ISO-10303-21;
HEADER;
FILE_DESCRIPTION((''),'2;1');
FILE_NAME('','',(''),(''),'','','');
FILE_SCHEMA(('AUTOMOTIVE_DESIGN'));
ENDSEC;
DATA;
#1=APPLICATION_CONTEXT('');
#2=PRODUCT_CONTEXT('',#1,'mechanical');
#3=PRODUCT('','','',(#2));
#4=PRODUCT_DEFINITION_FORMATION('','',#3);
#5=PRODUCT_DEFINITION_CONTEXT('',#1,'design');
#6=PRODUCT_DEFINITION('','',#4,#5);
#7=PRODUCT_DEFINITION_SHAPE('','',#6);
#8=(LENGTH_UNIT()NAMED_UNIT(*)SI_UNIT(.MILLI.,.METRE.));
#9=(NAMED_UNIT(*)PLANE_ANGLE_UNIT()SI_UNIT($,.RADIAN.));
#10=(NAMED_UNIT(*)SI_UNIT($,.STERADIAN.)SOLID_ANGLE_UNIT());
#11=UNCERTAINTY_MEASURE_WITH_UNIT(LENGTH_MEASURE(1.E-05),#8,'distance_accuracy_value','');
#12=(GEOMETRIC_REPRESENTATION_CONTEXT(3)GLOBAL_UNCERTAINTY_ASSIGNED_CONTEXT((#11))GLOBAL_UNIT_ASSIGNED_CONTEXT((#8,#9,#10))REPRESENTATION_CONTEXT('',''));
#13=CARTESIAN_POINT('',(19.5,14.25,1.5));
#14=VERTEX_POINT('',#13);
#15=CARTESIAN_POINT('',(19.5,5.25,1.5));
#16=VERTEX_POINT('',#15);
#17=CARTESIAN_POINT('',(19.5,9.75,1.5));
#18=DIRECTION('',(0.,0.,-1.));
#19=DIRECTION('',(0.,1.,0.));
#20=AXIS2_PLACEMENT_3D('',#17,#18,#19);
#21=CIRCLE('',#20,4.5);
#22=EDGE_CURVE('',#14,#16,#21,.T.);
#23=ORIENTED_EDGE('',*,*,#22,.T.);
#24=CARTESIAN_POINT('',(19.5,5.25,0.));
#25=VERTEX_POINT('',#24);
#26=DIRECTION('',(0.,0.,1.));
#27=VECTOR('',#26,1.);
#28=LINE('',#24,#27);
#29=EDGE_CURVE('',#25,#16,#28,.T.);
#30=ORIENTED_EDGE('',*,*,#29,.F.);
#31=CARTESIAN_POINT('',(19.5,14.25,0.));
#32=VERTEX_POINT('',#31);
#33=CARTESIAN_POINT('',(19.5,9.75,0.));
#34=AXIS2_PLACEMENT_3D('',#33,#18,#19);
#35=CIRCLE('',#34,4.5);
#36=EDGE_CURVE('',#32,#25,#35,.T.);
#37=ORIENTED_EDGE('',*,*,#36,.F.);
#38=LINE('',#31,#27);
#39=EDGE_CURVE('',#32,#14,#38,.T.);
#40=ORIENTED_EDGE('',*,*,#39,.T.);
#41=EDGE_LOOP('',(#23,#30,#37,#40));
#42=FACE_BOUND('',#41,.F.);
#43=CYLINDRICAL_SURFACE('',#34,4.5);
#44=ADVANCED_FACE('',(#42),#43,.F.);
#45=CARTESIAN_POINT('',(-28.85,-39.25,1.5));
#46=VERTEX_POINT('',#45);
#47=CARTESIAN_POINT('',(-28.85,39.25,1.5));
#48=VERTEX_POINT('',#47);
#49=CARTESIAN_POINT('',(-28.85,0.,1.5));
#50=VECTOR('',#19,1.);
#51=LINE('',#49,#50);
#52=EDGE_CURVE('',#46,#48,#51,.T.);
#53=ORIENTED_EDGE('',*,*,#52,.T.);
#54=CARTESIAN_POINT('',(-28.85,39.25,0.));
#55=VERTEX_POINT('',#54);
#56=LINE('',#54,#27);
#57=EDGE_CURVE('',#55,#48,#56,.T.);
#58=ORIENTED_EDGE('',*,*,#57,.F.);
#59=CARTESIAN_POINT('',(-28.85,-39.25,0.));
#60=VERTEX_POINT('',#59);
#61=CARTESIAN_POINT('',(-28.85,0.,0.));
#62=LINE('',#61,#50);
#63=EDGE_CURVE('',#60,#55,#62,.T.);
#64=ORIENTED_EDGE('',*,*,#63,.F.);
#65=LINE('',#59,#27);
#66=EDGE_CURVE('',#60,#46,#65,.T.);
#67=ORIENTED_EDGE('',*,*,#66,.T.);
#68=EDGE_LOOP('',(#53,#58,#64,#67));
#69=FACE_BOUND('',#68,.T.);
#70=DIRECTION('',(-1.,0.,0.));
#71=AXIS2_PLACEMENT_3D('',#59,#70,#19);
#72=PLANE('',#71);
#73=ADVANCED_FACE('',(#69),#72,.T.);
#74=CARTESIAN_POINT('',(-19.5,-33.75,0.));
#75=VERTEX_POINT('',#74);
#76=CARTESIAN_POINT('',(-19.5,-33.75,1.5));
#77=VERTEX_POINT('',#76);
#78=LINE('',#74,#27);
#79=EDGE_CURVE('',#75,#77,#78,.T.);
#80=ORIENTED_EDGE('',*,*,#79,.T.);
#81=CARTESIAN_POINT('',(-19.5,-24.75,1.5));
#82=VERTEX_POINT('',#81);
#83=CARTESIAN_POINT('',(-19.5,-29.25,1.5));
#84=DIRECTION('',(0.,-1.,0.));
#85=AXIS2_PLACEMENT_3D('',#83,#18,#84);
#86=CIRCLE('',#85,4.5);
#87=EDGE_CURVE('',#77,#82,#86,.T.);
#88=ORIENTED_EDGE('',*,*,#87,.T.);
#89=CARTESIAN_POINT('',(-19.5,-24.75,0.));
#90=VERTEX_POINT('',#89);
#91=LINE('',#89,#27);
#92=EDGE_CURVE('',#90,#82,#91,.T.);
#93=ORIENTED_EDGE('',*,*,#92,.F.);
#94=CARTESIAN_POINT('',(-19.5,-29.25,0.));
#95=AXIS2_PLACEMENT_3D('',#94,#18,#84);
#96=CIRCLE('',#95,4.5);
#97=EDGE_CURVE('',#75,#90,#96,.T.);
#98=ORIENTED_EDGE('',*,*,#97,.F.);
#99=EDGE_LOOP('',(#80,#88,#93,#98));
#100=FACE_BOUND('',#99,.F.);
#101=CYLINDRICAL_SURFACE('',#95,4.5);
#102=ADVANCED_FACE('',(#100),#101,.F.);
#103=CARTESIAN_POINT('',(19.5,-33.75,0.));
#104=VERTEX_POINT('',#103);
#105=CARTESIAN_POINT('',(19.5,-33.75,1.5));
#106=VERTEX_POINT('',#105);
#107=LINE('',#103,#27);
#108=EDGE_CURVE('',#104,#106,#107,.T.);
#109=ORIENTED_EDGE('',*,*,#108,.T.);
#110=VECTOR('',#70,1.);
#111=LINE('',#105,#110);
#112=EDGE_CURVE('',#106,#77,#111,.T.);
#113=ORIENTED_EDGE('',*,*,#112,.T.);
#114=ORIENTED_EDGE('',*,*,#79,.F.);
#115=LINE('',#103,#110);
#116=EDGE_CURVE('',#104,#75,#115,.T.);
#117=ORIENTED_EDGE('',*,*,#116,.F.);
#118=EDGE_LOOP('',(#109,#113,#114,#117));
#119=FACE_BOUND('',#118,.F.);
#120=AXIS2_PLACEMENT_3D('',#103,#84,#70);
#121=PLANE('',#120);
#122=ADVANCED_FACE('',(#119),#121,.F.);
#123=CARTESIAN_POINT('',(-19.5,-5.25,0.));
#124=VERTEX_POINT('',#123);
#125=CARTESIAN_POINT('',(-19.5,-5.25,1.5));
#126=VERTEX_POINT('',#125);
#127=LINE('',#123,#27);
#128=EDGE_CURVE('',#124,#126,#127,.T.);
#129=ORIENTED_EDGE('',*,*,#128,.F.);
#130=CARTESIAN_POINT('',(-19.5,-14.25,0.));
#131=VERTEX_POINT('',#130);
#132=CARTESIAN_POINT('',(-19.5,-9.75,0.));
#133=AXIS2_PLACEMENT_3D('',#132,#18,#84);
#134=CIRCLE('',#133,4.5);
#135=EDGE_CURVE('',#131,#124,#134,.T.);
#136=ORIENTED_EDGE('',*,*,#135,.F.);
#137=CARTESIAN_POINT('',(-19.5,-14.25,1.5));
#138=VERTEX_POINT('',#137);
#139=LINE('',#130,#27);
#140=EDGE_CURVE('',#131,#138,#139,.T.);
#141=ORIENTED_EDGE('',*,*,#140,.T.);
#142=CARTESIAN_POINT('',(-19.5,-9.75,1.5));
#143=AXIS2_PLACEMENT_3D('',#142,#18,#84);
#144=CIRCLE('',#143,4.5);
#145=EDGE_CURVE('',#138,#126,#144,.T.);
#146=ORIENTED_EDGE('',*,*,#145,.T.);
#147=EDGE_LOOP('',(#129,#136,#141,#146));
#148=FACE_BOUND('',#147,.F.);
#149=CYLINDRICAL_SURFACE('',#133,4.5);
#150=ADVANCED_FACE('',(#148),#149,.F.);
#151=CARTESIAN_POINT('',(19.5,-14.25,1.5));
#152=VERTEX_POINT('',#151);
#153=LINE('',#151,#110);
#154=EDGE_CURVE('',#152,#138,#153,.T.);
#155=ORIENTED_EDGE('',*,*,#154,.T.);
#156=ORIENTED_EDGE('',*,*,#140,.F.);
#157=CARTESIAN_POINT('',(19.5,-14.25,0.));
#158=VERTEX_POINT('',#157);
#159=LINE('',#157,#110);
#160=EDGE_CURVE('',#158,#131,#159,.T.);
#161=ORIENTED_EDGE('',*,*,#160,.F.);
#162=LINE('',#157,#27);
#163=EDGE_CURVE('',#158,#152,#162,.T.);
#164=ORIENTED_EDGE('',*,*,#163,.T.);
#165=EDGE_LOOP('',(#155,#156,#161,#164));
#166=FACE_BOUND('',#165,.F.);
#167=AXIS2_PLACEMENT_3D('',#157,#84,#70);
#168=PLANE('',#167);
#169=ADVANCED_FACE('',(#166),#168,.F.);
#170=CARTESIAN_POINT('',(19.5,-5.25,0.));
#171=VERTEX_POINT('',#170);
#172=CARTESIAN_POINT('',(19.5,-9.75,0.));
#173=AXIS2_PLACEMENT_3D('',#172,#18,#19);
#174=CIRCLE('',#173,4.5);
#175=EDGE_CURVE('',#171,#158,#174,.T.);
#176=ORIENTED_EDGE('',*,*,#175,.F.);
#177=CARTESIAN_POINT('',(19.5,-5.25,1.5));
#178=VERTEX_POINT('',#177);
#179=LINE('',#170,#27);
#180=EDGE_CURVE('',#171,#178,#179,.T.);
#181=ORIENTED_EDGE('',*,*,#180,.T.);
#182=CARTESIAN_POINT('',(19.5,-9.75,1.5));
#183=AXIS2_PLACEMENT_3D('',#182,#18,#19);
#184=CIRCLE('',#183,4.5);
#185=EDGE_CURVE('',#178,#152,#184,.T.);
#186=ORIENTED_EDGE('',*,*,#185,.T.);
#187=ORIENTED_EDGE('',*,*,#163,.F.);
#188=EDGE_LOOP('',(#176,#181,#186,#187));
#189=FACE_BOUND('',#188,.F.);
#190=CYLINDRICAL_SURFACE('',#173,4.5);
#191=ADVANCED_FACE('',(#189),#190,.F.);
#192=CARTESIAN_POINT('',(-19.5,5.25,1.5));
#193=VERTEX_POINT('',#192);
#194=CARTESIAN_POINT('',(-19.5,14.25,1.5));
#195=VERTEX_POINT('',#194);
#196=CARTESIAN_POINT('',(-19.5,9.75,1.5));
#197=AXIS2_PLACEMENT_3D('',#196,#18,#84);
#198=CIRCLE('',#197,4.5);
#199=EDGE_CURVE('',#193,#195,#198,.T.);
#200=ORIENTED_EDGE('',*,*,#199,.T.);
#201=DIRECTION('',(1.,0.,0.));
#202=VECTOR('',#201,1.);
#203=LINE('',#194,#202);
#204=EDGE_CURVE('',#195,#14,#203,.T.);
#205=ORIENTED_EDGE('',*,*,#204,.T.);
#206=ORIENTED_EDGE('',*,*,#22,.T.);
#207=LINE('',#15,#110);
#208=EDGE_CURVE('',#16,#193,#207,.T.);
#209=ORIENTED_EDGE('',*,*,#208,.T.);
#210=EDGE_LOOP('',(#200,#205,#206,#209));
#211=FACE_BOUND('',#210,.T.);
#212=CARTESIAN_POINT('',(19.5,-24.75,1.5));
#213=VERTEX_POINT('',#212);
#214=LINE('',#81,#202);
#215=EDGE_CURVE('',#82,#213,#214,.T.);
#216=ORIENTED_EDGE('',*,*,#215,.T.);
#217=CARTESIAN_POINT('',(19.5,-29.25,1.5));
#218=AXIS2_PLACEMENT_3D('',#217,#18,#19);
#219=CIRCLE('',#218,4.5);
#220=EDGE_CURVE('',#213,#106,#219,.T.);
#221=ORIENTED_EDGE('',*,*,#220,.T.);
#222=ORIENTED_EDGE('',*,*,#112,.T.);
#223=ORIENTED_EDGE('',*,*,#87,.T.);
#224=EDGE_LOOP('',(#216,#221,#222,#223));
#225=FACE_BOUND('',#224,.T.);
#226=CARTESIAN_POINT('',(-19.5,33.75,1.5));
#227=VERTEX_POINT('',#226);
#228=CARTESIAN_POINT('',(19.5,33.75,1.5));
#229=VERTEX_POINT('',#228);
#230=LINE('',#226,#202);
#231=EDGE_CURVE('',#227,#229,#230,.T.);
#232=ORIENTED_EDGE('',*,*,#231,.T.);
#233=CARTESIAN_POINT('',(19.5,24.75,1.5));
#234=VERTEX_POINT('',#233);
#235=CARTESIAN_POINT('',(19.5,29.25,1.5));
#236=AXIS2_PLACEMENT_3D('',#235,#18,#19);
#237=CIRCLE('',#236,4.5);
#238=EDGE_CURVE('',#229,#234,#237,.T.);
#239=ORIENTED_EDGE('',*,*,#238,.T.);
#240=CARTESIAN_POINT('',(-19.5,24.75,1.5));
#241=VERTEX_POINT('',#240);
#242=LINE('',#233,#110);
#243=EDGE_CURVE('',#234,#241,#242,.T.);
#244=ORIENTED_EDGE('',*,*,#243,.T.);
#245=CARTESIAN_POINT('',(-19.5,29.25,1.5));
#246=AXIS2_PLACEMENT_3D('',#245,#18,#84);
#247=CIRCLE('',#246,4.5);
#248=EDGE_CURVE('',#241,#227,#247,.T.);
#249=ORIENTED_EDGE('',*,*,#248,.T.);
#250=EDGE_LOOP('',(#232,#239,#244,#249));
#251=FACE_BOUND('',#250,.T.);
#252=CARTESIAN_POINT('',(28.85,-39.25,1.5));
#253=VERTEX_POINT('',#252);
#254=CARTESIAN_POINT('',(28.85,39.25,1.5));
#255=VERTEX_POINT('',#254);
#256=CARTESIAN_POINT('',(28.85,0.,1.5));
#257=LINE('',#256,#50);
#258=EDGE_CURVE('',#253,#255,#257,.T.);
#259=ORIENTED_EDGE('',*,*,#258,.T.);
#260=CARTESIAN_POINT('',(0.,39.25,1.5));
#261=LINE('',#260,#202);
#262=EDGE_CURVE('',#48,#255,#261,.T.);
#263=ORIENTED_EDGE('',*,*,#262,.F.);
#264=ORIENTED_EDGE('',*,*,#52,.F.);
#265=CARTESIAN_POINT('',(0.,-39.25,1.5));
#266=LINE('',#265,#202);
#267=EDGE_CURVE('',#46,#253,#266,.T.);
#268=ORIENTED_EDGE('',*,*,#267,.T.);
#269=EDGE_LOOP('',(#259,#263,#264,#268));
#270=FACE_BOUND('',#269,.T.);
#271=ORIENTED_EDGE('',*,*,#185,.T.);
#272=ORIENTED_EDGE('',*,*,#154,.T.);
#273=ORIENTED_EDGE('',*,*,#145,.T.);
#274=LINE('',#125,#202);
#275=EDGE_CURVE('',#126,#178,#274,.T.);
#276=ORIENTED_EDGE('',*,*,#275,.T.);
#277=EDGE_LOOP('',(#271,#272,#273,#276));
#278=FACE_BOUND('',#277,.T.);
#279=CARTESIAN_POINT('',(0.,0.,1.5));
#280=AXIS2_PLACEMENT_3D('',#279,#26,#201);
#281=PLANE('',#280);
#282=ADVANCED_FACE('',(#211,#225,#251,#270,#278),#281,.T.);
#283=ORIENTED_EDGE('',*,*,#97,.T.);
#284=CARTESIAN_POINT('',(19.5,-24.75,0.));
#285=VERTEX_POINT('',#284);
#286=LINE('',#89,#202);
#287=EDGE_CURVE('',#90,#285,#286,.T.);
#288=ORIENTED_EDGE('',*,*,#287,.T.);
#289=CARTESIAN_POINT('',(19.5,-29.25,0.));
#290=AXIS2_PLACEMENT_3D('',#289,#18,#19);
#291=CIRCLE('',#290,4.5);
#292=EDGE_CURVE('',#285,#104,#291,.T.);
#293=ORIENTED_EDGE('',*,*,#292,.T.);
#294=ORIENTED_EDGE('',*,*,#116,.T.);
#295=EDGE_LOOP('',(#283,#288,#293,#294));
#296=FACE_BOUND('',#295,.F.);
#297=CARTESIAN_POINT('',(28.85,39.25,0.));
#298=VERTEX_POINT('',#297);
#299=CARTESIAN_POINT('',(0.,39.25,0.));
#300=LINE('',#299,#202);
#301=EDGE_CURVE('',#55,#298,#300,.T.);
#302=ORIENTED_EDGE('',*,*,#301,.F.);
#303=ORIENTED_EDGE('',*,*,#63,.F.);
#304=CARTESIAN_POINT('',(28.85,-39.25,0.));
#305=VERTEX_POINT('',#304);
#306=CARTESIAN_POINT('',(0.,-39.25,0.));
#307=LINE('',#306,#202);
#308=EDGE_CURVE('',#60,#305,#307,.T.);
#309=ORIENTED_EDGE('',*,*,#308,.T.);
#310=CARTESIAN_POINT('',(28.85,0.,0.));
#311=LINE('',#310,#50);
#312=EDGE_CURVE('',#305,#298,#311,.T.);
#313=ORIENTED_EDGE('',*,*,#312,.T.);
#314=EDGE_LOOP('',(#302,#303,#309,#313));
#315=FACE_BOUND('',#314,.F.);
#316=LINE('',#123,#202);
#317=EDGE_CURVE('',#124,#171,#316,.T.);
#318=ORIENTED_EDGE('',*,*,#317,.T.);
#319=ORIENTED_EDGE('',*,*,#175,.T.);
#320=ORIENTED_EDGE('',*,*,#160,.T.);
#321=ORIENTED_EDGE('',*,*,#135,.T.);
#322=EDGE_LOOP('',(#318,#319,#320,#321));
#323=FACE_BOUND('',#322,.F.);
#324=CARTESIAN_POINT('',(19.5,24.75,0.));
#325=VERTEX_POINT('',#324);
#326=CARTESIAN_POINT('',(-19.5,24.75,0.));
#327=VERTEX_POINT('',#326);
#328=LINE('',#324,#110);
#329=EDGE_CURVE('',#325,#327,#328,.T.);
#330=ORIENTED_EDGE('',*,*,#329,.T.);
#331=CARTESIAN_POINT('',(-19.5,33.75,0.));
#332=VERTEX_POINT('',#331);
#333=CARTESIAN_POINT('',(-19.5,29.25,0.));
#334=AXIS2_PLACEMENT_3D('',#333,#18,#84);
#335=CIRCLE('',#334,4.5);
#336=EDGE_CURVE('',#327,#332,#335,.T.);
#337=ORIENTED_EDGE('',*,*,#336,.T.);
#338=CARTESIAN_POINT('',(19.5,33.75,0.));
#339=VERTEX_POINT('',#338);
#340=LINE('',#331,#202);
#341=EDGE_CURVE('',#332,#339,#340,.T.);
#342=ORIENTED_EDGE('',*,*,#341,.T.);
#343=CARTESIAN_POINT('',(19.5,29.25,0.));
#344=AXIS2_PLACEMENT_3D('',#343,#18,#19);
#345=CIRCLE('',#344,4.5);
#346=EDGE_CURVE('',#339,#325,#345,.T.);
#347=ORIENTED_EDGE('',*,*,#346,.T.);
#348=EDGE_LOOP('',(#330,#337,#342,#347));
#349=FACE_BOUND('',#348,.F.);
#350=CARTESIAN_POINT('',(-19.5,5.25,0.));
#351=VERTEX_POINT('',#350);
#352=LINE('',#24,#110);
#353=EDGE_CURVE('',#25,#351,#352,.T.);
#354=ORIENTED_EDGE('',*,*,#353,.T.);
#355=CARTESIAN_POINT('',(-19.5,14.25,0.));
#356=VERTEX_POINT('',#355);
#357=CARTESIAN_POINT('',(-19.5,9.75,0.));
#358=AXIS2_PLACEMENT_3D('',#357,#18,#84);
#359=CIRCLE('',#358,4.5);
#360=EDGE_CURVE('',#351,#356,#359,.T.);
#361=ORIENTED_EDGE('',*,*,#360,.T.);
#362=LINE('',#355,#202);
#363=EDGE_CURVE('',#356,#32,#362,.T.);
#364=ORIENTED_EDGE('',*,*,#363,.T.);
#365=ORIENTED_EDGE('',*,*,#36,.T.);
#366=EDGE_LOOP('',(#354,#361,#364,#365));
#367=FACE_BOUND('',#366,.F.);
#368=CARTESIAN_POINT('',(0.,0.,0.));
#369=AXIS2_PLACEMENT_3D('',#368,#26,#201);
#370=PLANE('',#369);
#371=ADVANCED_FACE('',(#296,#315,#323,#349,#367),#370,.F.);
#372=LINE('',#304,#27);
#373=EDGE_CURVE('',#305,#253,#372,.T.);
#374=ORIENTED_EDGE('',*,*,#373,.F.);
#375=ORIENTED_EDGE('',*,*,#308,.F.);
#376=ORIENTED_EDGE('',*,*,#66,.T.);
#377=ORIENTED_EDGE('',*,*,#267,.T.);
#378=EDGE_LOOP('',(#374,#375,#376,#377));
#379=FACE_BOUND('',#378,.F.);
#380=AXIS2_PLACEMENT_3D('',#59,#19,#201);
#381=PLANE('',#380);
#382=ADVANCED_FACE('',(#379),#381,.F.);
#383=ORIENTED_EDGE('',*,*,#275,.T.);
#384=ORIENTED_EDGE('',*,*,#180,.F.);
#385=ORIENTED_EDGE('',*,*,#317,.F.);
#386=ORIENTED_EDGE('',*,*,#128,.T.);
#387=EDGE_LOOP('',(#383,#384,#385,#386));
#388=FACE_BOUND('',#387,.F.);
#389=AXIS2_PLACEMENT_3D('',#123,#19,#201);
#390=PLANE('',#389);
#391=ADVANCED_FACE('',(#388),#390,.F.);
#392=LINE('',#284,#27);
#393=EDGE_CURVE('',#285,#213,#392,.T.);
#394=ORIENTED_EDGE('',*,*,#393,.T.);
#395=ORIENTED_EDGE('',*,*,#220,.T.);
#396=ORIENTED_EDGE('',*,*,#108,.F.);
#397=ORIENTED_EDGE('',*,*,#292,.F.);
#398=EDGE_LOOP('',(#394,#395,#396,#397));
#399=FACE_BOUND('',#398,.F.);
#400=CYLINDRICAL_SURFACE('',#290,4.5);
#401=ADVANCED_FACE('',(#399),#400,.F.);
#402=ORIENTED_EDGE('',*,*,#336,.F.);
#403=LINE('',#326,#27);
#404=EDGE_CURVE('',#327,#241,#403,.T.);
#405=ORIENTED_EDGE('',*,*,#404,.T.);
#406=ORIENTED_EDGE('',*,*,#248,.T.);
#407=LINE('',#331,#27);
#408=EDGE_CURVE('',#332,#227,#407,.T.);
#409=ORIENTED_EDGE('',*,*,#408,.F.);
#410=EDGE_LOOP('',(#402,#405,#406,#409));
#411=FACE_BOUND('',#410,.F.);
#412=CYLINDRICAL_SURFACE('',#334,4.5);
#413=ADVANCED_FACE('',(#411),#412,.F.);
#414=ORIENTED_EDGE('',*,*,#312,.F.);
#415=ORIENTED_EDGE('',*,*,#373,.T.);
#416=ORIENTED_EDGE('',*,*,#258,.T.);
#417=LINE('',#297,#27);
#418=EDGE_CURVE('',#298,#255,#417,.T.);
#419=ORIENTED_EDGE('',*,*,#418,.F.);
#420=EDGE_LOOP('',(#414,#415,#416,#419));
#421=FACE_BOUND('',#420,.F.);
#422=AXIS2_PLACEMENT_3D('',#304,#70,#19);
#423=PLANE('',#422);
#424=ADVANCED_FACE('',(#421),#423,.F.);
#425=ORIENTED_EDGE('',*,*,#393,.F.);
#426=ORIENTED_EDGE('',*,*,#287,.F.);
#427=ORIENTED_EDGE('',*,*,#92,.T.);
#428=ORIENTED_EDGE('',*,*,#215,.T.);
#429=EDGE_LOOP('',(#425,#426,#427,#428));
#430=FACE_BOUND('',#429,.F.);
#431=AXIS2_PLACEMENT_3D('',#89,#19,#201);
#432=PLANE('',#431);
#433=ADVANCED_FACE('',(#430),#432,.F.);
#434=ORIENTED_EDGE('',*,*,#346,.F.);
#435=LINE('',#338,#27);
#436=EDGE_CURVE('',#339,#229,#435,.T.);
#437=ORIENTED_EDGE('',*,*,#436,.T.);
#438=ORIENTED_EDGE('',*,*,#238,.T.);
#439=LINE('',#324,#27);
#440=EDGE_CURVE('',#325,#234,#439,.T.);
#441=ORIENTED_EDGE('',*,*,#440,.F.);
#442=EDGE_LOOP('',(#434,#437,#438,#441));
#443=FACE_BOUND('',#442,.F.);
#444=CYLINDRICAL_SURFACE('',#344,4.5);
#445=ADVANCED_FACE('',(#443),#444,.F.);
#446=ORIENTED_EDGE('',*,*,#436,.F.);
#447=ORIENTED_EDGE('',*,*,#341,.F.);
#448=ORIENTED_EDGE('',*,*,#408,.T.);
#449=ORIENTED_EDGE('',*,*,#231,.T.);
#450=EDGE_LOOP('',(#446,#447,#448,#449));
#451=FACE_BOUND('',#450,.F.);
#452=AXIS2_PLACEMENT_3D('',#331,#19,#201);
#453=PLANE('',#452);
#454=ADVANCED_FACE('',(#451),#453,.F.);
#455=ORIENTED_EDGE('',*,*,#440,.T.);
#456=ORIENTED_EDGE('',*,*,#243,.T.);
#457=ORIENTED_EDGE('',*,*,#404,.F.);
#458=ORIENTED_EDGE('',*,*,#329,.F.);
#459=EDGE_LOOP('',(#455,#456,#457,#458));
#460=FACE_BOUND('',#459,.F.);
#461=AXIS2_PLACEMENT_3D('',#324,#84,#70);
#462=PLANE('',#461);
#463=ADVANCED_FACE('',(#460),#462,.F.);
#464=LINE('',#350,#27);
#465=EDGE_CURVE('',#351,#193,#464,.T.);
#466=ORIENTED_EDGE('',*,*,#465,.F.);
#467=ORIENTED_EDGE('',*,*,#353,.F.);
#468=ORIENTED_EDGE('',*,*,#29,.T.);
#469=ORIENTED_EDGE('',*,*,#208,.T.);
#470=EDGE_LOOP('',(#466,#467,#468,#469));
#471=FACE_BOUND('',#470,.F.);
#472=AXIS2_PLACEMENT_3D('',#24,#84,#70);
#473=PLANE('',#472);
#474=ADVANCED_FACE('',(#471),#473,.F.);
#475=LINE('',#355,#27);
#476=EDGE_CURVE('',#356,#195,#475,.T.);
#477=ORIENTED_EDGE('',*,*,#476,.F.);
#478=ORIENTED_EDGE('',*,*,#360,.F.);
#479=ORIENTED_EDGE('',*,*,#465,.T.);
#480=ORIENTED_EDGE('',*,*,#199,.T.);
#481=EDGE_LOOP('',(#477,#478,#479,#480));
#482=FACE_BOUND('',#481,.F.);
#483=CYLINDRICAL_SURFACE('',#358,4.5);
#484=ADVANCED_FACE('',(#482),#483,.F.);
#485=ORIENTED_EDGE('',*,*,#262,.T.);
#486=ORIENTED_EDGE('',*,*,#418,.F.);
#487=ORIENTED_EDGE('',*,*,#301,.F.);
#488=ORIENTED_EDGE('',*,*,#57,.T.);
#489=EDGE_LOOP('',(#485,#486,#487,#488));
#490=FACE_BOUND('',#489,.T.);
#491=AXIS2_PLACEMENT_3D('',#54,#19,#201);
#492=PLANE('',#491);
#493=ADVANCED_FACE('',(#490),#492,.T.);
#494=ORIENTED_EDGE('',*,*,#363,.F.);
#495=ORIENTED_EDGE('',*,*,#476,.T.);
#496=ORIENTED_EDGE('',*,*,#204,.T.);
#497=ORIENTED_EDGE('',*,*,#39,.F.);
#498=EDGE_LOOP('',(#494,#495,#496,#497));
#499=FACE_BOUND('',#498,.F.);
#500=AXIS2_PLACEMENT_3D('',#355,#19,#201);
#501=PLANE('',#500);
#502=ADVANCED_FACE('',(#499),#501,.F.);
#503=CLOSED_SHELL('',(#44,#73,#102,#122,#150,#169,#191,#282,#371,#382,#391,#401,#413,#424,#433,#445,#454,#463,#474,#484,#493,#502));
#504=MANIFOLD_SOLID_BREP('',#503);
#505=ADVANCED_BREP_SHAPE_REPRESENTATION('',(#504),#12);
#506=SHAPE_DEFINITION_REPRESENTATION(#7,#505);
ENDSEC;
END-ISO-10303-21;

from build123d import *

# Parameters (mm, degrees)
F0_W     = 57.7
F0_H     = 78.5
F1_DEPTH = 1.5


with BuildPart() as f1:
    # F0 (on Top) → F1 (new body)
    with BuildSketch(Plane.XY):
        Rectangle(F0_W, F0_H)
        with BuildLine():
            Line((19.5, -33.75), (-19.5, -33.75))
            ThreePointArc((-19.5, -33.75), (-24, -29.25), (-19.5, -24.75))
            Line((-19.5, -24.75), (19.5, -24.75))
            ThreePointArc((19.5, -24.75), (24, -29.25), (19.5, -33.75))
        make_face(mode=Mode.SUBTRACT)
        with BuildLine():
            Line((19.5, -14.25), (-19.5, -14.25))
            ThreePointArc((-19.5, -14.25), (-24, -9.75), (-19.5, -5.25))
            Line((-19.5, -5.25), (19.5, -5.25))
            ThreePointArc((19.5, -5.25), (24, -9.75), (19.5, -14.25))
        make_face(mode=Mode.SUBTRACT)
        with BuildLine():
            Line((19.5, 5.25), (-19.5, 5.25))
            ThreePointArc((-19.5, 5.25), (-24, 9.75), (-19.5, 14.25))
            Line((-19.5, 14.25), (19.5, 14.25))
            ThreePointArc((19.5, 14.25), (24, 9.75), (19.5, 5.25))
        make_face(mode=Mode.SUBTRACT)
        with BuildLine():
            Line((19.5, 24.75), (-19.5, 24.75))
            ThreePointArc((-19.5, 24.75), (-24, 29.25), (-19.5, 33.75))
            Line((-19.5, 33.75), (19.5, 33.75))
            ThreePointArc((19.5, 33.75), (24, 29.25), (19.5, 24.75))
        make_face(mode=Mode.SUBTRACT)
    extrude(amount=F1_DEPTH)


solid = f1.part
